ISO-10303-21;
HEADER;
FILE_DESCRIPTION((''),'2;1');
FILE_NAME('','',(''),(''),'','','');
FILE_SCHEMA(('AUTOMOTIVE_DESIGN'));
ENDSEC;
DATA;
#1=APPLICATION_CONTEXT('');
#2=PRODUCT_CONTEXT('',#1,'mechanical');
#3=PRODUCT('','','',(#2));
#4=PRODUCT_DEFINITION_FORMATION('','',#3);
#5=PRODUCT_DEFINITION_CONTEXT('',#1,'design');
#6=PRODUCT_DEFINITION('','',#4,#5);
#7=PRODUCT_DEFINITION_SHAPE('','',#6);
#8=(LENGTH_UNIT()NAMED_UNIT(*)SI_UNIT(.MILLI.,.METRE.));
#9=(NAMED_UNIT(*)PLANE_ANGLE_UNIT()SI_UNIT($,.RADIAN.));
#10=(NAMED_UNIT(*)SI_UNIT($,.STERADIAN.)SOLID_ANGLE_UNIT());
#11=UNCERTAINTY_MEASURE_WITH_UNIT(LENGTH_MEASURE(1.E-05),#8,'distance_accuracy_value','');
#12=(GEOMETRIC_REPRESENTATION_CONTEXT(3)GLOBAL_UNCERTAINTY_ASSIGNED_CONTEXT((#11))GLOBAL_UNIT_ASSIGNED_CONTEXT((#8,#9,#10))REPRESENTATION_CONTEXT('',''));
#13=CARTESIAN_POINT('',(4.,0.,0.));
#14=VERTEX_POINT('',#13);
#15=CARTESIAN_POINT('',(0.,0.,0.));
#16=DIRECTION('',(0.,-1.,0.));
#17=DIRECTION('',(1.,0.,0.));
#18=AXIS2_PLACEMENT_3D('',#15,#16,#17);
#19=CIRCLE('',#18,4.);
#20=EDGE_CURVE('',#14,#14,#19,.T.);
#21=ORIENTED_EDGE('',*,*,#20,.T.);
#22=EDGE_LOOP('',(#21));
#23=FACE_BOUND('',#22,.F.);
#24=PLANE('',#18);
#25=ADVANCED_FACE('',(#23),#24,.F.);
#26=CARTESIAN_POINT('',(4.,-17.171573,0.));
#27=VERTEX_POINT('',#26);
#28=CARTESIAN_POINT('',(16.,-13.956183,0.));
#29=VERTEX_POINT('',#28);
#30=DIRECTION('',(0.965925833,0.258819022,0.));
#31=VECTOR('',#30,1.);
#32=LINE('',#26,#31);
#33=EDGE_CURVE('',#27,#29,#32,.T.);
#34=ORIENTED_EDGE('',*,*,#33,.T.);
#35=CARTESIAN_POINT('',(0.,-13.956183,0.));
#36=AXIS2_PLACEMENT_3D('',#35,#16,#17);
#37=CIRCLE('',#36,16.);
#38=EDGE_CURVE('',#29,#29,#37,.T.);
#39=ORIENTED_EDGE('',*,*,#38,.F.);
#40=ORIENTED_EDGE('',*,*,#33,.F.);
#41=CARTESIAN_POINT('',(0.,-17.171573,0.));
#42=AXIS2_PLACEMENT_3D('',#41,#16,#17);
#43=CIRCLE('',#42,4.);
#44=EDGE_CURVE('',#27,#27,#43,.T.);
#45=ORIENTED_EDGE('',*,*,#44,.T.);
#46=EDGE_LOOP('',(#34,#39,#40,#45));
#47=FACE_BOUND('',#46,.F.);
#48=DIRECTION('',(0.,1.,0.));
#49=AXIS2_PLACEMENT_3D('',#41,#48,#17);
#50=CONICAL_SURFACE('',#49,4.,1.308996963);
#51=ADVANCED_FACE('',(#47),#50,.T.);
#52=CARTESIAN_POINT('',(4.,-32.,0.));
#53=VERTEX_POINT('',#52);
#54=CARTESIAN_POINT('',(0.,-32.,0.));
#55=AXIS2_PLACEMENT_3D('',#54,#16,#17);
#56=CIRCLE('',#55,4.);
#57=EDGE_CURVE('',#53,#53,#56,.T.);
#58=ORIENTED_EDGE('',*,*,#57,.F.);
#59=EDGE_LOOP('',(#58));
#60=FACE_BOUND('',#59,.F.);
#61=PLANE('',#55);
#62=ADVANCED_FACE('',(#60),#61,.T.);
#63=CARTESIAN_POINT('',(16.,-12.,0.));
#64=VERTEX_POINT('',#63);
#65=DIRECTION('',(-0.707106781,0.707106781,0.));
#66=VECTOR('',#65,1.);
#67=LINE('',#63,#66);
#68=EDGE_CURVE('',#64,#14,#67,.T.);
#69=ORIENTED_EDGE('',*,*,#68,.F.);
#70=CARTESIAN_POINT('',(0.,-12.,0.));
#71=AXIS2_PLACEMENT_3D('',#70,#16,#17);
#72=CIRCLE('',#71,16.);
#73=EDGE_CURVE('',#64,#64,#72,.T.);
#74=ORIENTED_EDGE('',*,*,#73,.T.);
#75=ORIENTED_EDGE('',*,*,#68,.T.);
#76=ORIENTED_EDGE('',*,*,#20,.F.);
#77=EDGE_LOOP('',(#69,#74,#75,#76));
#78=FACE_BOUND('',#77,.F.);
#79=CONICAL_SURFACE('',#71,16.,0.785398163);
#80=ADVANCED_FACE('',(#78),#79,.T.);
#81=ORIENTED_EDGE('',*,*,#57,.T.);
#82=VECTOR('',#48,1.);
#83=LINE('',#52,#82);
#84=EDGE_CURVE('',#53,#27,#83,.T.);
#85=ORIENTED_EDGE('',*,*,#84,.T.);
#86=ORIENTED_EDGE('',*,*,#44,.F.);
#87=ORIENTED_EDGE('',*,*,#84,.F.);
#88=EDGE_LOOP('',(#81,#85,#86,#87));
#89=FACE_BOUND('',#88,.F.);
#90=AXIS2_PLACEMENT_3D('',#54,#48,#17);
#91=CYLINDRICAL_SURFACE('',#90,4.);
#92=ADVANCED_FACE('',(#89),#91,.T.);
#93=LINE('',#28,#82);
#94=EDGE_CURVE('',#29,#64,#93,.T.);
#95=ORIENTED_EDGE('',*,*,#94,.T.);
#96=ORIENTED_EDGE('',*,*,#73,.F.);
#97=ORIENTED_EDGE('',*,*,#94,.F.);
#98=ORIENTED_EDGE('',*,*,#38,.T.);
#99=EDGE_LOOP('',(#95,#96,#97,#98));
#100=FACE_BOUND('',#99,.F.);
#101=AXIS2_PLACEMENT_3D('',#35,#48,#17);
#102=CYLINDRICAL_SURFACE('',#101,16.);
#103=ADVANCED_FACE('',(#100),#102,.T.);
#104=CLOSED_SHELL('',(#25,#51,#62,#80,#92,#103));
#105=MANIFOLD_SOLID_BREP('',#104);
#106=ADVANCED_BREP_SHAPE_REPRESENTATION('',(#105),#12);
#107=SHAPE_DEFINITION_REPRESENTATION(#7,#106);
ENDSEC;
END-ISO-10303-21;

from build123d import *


with BuildPart() as f1:
    # F0 (on Top) → F1 (revolve)
    with BuildSketch(Plane.XY):
        Polygon((4, 0), (0, 0), (0, -32), (4, -32), (4, -22.828427), (4, -17.171573), (16, -13.956183), (16, -12), align=None)
        Polygon((4, -13.030468), (4, -5.656854), (9.815386, -11.47224), align=None, mode=Mode.SUBTRACT)
        Polygon((9.815386, -11.47224), (4, -5.656854), (4, -13.030468), align=None)
    revolve(axis=Axis((0, -16, 0), (0, -1, 0)))


solid = f1.part
